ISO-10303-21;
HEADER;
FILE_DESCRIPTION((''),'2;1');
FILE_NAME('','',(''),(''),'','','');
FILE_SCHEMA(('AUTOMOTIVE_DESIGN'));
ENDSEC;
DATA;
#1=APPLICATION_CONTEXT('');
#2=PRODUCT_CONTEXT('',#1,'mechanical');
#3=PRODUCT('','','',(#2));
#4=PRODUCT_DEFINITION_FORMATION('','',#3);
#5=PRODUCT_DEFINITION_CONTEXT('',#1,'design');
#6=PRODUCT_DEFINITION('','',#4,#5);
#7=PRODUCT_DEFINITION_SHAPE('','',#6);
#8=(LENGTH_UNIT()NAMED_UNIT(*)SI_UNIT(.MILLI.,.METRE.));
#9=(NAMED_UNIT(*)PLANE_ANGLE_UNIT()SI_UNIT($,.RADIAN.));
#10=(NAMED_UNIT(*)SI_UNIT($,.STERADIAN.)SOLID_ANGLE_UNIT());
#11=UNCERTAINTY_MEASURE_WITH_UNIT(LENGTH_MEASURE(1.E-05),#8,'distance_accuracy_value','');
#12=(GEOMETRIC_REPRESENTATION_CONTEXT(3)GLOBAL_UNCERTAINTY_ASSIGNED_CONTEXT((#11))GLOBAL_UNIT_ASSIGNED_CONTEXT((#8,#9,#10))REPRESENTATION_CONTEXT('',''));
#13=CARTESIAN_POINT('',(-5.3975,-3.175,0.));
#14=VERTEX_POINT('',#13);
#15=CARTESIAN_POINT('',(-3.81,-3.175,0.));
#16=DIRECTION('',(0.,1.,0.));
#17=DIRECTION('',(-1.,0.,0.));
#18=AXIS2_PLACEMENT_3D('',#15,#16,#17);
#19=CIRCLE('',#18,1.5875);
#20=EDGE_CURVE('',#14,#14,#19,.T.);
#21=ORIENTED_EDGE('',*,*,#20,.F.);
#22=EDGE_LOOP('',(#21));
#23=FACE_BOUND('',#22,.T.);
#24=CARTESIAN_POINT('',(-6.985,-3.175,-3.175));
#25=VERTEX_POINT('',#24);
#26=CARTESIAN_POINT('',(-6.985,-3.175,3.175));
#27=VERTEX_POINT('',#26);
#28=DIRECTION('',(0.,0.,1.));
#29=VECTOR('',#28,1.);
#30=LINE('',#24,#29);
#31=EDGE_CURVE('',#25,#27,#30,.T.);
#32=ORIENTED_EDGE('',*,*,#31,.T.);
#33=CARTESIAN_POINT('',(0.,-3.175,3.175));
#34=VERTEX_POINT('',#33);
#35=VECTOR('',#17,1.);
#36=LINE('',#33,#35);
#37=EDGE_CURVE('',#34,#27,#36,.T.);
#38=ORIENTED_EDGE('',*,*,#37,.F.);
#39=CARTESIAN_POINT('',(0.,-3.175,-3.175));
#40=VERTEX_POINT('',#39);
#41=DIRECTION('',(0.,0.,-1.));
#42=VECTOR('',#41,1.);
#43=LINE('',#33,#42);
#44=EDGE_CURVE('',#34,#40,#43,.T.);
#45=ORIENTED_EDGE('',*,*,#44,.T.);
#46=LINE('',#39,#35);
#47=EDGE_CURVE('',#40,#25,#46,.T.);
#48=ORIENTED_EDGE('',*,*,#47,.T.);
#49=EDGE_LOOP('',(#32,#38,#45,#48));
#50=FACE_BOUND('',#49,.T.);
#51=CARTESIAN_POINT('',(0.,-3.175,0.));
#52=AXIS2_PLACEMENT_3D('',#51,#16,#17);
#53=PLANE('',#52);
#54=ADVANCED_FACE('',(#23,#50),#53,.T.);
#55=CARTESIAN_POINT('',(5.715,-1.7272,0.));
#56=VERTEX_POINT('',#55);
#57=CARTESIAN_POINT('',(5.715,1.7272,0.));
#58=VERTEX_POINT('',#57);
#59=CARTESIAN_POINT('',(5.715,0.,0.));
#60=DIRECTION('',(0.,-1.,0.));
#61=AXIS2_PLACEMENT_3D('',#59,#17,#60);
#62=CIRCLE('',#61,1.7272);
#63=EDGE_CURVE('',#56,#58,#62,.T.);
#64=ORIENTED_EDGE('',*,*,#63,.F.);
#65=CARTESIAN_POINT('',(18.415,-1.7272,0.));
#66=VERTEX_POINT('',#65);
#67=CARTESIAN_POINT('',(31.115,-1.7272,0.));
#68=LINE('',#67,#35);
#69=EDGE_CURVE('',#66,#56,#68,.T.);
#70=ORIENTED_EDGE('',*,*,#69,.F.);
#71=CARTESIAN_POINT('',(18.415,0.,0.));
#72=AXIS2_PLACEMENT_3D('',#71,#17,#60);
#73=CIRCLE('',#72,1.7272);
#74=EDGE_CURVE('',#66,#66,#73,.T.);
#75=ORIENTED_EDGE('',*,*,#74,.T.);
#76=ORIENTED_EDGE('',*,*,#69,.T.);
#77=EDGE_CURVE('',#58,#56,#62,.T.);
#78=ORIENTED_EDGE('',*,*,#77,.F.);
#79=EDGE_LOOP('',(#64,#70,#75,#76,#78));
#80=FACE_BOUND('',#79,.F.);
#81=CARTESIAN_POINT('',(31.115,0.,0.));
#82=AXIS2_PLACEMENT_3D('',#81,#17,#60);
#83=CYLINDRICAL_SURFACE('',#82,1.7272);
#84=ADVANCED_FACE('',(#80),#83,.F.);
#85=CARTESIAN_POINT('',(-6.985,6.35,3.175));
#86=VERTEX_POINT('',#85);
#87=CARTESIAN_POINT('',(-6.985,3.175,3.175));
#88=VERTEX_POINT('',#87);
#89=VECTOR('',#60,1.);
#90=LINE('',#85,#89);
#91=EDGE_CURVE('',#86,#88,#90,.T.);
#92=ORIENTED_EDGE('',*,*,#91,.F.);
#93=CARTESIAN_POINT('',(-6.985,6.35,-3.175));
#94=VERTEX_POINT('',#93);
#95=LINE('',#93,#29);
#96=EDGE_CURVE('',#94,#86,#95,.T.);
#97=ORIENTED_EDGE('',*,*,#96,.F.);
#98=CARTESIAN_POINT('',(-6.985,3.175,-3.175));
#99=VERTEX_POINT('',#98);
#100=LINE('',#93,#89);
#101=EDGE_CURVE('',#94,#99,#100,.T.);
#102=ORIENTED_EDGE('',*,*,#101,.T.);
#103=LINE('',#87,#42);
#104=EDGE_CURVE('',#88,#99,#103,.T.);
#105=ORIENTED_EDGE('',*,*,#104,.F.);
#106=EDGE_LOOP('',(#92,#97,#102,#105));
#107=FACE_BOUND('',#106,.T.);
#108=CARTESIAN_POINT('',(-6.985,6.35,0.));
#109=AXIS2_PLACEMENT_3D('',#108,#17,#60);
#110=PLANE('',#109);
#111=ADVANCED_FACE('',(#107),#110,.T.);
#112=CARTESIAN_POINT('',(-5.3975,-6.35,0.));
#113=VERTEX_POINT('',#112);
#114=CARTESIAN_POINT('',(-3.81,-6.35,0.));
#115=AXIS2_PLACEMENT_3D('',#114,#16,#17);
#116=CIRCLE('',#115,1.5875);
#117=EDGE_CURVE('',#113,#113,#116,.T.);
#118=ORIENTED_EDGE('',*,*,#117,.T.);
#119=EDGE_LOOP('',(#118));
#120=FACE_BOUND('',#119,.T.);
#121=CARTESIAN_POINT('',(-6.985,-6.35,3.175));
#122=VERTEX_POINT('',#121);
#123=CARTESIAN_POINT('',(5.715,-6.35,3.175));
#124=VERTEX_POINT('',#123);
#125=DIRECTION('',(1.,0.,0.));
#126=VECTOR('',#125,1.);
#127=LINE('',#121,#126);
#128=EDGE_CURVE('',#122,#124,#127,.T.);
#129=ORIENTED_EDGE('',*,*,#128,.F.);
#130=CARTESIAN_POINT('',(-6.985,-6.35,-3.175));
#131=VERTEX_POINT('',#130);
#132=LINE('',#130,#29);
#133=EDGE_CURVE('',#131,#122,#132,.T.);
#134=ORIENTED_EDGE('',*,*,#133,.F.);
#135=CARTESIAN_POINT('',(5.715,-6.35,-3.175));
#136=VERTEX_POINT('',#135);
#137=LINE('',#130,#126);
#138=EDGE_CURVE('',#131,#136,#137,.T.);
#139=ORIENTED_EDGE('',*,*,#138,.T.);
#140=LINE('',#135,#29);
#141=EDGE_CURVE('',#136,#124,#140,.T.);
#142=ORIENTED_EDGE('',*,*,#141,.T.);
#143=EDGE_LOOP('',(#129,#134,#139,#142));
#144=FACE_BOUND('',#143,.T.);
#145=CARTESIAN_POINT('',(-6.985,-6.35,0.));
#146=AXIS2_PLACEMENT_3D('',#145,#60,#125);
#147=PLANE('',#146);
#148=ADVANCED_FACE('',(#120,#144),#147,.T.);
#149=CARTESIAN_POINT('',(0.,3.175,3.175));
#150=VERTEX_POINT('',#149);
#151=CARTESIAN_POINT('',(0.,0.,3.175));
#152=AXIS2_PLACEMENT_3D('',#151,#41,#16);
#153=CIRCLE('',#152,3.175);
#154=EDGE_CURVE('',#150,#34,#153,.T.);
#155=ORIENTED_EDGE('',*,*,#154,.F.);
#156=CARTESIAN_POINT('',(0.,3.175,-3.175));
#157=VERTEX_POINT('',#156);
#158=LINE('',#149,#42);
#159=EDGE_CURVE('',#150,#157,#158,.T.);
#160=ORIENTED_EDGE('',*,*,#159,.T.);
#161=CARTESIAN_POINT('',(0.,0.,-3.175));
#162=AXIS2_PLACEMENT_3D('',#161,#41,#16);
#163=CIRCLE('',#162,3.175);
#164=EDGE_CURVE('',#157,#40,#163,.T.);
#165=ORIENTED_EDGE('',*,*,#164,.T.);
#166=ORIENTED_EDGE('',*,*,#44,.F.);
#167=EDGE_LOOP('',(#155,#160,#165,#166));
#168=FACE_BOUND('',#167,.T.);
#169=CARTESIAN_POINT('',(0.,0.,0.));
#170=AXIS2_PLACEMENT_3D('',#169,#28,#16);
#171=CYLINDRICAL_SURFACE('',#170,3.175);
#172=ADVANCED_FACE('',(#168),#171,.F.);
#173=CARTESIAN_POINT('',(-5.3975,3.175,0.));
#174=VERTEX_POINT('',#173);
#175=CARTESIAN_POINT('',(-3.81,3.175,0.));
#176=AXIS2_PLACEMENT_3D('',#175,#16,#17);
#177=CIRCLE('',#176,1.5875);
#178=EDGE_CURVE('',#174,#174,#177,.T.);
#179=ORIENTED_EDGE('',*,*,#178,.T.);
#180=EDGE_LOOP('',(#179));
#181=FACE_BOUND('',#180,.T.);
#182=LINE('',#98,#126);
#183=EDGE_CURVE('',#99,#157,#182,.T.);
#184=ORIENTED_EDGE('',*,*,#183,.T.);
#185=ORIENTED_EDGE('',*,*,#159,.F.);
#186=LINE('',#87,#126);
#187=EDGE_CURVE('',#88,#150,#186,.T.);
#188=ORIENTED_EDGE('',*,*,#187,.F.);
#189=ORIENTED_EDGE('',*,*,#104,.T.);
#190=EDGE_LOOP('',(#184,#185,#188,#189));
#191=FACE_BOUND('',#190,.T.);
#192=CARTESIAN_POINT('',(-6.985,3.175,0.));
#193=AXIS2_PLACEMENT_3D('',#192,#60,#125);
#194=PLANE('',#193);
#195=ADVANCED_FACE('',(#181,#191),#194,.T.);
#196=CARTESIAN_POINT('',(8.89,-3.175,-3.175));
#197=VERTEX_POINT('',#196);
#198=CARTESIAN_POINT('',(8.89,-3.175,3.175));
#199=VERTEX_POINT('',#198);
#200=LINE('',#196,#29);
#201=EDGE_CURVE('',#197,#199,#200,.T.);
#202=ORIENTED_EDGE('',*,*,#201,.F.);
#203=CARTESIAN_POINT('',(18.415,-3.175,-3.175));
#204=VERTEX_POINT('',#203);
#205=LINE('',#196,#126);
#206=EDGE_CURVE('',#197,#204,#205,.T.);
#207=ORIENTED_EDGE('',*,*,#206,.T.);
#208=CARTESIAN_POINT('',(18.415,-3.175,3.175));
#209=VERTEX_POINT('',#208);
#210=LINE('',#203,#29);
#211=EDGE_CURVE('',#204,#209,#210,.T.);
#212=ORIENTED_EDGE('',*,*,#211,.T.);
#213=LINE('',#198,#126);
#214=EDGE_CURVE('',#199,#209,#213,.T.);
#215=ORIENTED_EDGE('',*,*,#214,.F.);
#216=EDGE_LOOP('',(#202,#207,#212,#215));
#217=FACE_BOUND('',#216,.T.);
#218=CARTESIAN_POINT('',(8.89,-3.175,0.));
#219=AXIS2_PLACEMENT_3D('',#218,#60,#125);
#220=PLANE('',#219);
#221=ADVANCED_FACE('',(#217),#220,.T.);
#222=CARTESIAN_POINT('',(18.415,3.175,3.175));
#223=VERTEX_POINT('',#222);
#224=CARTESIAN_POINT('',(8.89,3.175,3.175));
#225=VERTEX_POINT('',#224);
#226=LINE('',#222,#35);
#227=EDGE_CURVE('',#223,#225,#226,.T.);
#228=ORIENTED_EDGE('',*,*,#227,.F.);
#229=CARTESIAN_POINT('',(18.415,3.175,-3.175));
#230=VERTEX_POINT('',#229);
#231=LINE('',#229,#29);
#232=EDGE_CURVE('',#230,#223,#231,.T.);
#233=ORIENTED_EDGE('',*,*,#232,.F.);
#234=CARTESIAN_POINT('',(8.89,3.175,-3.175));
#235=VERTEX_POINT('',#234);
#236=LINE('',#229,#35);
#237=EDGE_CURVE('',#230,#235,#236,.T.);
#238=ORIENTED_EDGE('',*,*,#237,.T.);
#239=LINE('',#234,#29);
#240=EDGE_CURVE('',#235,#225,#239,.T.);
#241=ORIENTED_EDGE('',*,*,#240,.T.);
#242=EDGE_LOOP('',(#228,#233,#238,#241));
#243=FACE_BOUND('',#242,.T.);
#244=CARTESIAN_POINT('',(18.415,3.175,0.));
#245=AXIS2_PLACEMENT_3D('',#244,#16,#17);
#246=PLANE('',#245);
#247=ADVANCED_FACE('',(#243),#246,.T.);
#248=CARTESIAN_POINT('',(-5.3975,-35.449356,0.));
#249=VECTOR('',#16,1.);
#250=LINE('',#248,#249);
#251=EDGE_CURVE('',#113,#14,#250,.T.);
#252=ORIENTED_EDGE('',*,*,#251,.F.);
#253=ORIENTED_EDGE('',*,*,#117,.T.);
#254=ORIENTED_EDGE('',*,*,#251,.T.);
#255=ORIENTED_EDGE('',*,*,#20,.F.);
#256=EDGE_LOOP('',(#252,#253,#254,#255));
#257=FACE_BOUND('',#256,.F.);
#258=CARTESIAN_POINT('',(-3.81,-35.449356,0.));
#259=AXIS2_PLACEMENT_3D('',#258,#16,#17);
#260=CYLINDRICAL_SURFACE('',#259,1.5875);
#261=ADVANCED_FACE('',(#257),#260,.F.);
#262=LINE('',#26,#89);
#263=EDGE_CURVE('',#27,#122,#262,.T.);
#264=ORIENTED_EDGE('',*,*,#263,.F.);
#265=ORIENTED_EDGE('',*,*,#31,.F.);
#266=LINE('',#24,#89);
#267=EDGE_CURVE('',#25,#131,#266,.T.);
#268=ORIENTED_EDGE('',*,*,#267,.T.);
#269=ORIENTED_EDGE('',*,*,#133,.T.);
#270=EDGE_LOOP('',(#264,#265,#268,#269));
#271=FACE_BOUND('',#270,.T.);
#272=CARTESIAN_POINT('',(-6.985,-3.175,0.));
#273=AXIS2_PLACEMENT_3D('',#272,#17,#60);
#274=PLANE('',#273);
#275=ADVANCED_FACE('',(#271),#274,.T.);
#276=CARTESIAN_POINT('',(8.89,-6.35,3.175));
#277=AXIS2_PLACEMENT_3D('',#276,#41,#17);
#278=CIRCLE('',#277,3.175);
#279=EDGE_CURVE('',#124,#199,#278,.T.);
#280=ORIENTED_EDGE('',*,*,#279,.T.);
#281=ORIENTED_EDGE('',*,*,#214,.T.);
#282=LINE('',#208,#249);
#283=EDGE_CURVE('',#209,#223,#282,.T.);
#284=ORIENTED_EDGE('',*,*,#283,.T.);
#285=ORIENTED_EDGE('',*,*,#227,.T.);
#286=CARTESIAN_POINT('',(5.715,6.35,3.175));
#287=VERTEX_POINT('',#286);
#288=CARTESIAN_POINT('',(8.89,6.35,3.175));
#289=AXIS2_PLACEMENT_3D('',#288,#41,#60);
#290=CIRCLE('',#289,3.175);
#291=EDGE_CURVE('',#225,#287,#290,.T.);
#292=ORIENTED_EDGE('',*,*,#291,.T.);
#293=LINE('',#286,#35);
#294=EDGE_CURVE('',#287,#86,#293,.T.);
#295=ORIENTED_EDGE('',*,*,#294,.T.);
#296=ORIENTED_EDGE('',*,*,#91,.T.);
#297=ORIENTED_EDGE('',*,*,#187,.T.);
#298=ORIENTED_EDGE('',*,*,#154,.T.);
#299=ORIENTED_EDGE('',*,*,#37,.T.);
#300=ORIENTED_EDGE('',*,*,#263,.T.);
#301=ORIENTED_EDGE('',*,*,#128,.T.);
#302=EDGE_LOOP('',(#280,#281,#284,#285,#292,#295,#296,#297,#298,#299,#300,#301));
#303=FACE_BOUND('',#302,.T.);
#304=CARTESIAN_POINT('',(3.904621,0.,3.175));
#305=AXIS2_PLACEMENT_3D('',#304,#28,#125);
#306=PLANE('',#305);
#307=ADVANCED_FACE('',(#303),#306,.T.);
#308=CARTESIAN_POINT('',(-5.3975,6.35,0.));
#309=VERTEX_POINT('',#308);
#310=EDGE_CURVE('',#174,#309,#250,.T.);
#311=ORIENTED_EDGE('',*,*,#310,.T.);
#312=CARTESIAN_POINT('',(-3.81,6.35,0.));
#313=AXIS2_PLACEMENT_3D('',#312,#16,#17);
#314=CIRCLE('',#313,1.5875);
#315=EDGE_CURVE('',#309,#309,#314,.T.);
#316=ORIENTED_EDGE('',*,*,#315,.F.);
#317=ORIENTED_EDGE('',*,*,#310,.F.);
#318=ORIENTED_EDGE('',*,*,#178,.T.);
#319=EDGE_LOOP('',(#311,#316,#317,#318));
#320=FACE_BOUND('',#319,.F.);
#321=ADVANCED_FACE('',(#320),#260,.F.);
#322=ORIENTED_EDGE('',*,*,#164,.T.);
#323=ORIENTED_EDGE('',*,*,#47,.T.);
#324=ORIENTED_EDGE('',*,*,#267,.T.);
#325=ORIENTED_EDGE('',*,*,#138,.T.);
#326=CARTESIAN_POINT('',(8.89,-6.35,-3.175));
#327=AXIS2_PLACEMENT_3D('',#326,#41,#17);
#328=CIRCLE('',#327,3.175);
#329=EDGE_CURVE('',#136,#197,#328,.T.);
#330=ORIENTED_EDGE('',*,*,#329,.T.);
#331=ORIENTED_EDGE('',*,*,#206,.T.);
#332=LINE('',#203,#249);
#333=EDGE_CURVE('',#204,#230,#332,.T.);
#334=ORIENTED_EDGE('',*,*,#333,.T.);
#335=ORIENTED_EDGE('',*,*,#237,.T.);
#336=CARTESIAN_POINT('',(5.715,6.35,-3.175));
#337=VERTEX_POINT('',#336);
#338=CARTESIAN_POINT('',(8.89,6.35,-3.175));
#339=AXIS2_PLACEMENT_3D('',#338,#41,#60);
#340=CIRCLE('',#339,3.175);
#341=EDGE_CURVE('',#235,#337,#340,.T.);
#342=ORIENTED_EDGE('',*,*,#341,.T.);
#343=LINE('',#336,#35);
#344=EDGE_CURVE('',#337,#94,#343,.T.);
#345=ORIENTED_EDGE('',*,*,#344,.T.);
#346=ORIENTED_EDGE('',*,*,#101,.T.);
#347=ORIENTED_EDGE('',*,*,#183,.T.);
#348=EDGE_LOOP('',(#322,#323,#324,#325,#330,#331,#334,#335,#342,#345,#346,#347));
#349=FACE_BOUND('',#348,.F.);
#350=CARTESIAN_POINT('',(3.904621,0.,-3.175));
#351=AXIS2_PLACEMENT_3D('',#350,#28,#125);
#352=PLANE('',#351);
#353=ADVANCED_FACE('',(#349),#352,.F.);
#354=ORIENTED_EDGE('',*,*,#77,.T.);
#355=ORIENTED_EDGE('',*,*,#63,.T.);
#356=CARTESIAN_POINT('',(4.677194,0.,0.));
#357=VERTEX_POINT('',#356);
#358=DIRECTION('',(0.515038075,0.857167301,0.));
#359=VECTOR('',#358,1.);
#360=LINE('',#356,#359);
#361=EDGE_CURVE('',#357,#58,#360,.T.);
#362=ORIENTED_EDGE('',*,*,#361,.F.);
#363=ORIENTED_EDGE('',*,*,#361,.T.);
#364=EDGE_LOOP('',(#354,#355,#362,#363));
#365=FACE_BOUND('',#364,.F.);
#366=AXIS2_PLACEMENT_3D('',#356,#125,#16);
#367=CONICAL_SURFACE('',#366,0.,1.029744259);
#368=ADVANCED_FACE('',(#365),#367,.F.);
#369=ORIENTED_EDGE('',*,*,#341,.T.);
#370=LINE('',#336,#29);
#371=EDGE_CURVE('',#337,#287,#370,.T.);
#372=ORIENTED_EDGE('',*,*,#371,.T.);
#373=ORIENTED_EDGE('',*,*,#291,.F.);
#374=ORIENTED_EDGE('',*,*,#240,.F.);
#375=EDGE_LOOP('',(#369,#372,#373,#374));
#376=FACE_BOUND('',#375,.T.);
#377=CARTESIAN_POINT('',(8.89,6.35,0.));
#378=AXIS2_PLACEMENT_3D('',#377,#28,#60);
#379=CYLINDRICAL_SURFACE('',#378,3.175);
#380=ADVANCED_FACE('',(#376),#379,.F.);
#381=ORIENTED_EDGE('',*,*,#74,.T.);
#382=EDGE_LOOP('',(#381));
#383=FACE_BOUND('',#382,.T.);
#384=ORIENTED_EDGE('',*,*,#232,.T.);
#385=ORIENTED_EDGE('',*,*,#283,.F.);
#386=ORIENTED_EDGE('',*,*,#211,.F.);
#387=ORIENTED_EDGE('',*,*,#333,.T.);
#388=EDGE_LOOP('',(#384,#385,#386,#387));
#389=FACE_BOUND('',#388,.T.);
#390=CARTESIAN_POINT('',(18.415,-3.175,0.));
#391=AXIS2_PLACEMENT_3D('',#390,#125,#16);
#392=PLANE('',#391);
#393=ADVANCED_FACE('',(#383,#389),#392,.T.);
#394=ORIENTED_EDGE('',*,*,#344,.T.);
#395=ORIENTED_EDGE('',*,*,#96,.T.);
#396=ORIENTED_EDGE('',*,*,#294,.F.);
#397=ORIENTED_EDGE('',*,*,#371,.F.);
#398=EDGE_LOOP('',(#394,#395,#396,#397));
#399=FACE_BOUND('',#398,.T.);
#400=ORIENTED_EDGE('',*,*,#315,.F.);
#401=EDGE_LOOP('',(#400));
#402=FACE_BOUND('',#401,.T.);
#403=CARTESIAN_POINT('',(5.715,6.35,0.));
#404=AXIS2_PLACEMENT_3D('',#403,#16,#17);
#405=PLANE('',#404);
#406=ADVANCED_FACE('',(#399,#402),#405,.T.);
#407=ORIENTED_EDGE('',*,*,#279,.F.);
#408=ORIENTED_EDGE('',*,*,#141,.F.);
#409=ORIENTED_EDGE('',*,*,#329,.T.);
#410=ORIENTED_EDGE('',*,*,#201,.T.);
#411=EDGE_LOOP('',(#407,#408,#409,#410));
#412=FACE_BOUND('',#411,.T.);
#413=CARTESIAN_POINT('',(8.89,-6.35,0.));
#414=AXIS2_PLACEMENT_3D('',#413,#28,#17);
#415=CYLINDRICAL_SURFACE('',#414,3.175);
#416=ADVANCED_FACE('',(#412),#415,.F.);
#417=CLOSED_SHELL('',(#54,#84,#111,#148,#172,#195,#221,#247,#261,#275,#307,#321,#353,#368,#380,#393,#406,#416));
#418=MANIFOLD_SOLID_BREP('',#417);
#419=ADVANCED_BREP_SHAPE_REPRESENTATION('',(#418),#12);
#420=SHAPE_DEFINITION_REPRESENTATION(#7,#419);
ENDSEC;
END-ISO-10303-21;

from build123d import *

# Parameters (mm, degrees)
F1_DEPTH = 3.175
F3_D     = 3.4544
F3_DEPTH = 12.7
F3_TIP   = 1.0378064612
F5_D     = 3.175


with BuildPart() as f1:
    # F0 (on Top) → F1 (new body, symmetric)
    with BuildSketch(Plane.XY):
        with BuildLine():
            Line((0, -3.175), (-6.985, -3.175))
            Line((-6.985, -3.175), (-6.985, -6.35))
            Line((-6.985, -6.35), (5.715, -6.35))
            ThreePointArc((5.715, -6.35), (6.6449359697, -4.1049359697), (8.89, -3.175))
            Line((8.89, -3.175), (18.415, -3.175))
            Line((18.415, -3.175), (18.415, 3.175))
            Line((18.415, 3.175), (8.89, 3.175))
            ThreePointArc((8.89, 3.175), (6.6449359697, 4.1049359697), (5.715, 6.35))
            Line((5.715, 6.35), (-6.985, 6.35))
            Line((-6.985, 6.35), (-6.985, 3.175))
            Line((-6.985, 3.175), (0, 3.175))
            ThreePointArc((0, 3.175), (3.175, 0), (0, -3.175))
        make_face()
    extrude(amount=F1_DEPTH, both=True)

    # F3
    with Locations(Plane.YZ.offset(18.415)):
        with Locations((0, 0)):
            Hole(F3_D / 2, depth=F3_DEPTH)
            with Locations((0, 0, -(F3_DEPTH + F3_TIP / 2))):  # 118° drill point
                Cone(0, F3_D / 2, F3_TIP, mode=Mode.SUBTRACT)

    # F5 (through all)
    with Locations(Plane.XZ.offset(6.35)):
        with Locations((-3.81, 0)):
            Hole(F5_D / 2)


solid = f1.part
